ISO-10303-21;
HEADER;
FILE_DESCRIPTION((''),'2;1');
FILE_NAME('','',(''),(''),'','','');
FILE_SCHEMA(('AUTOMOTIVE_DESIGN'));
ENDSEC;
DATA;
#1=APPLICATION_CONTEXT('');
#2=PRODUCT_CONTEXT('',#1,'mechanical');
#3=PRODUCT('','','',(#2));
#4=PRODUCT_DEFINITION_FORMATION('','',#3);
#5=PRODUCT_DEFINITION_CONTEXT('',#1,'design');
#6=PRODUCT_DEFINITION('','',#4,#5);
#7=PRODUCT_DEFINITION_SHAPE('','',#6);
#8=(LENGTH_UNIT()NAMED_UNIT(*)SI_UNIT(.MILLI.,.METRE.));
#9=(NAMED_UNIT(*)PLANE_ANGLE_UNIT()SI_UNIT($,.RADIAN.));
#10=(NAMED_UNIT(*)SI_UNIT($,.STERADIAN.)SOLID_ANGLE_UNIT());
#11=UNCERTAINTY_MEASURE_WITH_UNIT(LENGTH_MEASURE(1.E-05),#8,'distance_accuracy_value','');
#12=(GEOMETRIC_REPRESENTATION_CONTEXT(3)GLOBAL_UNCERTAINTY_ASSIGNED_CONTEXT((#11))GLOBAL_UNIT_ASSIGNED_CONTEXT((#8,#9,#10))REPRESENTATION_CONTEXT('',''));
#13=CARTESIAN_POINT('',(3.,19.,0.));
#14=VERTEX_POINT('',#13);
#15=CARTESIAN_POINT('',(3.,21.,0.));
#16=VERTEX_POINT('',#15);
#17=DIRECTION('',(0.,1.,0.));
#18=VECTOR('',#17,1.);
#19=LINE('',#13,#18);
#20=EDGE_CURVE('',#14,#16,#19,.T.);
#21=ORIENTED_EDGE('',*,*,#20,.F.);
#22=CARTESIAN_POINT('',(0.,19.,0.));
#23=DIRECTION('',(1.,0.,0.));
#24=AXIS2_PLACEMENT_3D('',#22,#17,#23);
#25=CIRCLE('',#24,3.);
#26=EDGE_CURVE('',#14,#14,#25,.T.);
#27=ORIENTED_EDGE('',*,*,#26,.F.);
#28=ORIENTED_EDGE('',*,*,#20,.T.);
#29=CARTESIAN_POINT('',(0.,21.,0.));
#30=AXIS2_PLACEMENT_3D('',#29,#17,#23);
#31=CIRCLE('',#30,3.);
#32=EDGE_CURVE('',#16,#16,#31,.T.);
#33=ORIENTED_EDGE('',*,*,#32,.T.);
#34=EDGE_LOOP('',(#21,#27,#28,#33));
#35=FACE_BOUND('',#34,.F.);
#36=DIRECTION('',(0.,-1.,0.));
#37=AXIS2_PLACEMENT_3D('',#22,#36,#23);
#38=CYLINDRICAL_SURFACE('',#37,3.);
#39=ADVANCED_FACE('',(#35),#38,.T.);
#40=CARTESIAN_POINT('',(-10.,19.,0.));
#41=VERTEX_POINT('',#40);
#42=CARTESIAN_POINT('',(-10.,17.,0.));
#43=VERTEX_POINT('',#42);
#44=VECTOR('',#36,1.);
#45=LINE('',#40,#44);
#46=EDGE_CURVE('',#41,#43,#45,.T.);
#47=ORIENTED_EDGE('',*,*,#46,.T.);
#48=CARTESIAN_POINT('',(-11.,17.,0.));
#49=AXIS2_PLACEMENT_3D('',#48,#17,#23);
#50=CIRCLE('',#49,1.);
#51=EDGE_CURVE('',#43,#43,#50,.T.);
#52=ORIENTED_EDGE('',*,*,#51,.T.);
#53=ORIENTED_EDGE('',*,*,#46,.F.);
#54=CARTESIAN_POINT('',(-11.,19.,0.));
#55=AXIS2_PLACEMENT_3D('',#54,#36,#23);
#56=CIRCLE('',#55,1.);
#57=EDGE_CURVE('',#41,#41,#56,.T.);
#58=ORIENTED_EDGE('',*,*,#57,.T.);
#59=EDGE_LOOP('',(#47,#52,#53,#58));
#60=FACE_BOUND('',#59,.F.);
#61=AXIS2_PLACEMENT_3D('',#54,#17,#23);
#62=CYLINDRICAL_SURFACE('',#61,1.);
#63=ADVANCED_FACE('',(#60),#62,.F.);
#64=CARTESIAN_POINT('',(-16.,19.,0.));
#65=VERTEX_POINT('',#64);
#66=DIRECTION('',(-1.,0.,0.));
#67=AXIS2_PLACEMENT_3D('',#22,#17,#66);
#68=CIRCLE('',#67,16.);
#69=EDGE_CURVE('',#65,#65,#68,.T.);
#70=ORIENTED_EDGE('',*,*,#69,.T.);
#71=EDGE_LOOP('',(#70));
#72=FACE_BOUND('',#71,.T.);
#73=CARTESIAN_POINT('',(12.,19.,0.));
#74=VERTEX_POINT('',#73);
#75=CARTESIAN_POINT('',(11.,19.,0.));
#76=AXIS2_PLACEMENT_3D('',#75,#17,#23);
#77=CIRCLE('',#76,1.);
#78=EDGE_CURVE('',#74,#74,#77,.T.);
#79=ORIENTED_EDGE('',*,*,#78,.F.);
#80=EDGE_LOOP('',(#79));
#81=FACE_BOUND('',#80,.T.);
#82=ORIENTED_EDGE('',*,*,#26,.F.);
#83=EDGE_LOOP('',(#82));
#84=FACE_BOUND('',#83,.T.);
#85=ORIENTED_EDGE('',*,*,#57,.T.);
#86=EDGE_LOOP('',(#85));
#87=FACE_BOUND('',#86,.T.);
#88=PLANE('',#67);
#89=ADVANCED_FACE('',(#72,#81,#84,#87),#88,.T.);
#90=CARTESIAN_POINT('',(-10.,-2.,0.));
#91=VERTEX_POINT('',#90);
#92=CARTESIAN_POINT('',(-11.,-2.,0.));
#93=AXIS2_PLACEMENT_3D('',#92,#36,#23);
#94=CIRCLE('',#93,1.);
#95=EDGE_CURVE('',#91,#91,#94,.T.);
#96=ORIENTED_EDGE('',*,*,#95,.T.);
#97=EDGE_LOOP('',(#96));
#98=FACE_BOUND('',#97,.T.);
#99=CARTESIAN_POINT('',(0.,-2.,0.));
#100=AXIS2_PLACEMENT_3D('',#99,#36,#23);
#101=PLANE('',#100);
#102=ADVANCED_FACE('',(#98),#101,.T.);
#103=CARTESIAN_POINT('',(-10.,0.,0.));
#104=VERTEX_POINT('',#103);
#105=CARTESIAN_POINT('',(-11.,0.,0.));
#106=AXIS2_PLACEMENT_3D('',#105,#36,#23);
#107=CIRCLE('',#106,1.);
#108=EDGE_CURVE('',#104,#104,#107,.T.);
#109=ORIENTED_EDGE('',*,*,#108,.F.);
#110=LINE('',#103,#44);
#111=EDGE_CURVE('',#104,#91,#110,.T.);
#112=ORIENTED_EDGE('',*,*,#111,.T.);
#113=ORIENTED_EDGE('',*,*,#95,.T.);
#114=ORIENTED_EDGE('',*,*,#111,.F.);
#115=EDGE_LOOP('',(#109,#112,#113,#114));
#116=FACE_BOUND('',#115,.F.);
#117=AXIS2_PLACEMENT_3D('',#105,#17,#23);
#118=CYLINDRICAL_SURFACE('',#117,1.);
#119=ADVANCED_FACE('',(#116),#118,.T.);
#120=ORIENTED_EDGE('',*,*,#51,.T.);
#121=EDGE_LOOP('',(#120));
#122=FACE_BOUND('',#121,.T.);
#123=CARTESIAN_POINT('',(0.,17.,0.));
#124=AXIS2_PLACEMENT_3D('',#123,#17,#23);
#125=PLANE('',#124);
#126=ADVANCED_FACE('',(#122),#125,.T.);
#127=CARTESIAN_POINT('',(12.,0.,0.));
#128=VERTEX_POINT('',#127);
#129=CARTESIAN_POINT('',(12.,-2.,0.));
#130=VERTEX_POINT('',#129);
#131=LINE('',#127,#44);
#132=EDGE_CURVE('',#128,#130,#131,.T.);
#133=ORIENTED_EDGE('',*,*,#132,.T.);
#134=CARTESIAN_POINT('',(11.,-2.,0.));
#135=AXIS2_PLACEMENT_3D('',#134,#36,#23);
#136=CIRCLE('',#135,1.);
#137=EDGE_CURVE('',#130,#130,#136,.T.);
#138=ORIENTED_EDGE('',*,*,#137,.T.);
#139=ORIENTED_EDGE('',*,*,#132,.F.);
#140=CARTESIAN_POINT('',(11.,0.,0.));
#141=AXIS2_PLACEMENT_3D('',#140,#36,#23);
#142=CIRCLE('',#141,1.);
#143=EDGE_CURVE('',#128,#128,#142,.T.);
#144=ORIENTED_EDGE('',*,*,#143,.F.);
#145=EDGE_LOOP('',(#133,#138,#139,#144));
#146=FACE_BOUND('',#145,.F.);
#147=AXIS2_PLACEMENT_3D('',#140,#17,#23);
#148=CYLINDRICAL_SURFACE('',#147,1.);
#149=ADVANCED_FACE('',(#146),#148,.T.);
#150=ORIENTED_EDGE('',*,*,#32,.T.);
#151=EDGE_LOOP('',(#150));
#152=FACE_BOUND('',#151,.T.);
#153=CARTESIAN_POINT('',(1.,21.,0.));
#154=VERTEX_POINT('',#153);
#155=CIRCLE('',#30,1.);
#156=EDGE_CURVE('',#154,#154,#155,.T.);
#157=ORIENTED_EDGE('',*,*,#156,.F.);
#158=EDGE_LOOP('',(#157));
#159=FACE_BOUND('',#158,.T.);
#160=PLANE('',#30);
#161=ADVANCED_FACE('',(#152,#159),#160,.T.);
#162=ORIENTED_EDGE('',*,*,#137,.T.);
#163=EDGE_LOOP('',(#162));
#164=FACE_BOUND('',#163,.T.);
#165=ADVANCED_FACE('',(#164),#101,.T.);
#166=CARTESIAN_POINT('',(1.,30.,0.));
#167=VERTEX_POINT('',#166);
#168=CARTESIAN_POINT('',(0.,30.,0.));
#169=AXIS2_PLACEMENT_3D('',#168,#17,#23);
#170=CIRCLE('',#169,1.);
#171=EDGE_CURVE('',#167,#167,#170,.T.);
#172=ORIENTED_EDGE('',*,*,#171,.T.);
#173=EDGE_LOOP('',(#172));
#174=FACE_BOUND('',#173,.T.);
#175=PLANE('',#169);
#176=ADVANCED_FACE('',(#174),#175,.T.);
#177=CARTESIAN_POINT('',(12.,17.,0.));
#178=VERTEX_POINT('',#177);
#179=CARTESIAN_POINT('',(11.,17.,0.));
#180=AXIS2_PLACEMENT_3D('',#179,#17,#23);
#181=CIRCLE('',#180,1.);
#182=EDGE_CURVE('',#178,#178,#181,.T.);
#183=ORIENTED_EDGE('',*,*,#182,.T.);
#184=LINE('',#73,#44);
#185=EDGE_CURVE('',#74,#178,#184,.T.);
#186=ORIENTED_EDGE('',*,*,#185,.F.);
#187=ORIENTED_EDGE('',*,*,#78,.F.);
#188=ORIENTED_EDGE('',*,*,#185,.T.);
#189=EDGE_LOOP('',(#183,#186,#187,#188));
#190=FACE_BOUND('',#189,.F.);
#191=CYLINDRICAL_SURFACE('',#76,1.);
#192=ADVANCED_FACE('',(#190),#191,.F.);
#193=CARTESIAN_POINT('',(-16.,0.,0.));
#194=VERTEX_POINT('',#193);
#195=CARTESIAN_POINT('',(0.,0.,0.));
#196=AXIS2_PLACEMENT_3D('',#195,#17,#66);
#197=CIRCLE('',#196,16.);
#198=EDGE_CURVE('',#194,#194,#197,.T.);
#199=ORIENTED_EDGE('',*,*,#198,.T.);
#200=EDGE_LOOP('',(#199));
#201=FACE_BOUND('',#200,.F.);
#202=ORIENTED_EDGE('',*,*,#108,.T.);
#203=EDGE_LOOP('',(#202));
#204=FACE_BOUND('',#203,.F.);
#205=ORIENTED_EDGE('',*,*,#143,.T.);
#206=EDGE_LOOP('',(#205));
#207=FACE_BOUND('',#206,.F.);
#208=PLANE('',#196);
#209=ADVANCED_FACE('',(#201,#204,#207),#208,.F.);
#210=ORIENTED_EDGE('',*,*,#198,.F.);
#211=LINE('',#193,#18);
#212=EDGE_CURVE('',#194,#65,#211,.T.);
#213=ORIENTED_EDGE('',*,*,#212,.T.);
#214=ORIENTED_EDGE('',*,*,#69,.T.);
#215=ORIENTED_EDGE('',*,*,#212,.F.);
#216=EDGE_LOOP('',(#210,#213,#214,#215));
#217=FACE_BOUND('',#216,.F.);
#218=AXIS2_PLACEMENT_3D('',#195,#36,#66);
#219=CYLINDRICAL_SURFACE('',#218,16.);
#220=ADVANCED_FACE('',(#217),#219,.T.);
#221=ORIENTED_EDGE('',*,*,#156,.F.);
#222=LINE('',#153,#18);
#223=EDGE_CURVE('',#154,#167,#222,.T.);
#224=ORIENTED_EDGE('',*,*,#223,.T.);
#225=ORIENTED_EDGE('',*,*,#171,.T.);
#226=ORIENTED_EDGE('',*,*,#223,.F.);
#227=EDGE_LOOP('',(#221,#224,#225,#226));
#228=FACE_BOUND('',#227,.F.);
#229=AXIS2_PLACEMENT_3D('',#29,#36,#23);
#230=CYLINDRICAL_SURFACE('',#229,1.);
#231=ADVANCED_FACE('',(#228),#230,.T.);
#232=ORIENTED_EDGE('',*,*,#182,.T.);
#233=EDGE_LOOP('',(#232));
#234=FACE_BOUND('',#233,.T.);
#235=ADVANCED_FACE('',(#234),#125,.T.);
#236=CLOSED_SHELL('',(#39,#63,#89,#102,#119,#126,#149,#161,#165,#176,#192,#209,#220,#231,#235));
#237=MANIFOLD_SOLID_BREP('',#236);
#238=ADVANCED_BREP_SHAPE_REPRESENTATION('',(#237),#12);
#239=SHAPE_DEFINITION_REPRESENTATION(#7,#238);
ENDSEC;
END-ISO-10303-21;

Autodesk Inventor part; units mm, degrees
ref_plane "YZ Plane" through (0, 0, 0) normal (1, 0, 0) x (0, 1, 0)
ref_plane "XZ Plane" through (0, 0, 0) normal (0, 1, 0) x (-1, 0, 0)
ref_plane "XY Plane" through (0, 0, 0) normal (0, 0, 1) x (1, 0, 0)
sketch "Sketch1" plane through (0, 0, 0) normal (0, 1, 0) x (-1, 0, 0)
  circle A0 centre (0, 0) radius 16
  dimension "d0" = 32
extrude "Extrusion1" add sketch "Sketch1" along normal blind 19
sketch "Sketch2" plane through (0, 19, 0) normal (0, 1, 0) x (1, 0, 0)
  circle A0 centre (0, 0) radius 3
  dimension "d3" = 6
extrude "Extrusion2" add sketch "Sketch2" along normal blind 2
sketch "Sketch3" plane through (0, 21, 0) normal (0, 1, 0) x (1, 0, 0)
  circle A0 centre (0, 0) radius 1
  dimension "d6" = 2
extrude "Extrusion3" add sketch "Sketch3" along normal blind 9
sketch "Sketch4" plane through (0, 19, 0) normal (0, 1, 0) x (1, 0, 0)
  circle A0 centre (0, 0) radius 12
  line L0 (-12, 0) -> (-11, 0)
  circle A1 centre (11, 0) radius 1
  circle A2 centre (-11, 0) radius 1
  dimension "d9" = 24
extrude "Extrusion4" cut sketch "Sketch4" against normal blind 2 contours A2 | A1
sketch "Sketch5" plane through (0, 0, 0) normal (0, -1, 0) x (1, 0, 0)
  circle A0 centre (-11, 0) radius 1 projected
  circle A1 centre (11, 0) radius 1 projected
  point P0 (0, 0)
extrude "Extrusion5" add sketch "Sketch5" along normal blind 2
properties part number "Motor sensor"
